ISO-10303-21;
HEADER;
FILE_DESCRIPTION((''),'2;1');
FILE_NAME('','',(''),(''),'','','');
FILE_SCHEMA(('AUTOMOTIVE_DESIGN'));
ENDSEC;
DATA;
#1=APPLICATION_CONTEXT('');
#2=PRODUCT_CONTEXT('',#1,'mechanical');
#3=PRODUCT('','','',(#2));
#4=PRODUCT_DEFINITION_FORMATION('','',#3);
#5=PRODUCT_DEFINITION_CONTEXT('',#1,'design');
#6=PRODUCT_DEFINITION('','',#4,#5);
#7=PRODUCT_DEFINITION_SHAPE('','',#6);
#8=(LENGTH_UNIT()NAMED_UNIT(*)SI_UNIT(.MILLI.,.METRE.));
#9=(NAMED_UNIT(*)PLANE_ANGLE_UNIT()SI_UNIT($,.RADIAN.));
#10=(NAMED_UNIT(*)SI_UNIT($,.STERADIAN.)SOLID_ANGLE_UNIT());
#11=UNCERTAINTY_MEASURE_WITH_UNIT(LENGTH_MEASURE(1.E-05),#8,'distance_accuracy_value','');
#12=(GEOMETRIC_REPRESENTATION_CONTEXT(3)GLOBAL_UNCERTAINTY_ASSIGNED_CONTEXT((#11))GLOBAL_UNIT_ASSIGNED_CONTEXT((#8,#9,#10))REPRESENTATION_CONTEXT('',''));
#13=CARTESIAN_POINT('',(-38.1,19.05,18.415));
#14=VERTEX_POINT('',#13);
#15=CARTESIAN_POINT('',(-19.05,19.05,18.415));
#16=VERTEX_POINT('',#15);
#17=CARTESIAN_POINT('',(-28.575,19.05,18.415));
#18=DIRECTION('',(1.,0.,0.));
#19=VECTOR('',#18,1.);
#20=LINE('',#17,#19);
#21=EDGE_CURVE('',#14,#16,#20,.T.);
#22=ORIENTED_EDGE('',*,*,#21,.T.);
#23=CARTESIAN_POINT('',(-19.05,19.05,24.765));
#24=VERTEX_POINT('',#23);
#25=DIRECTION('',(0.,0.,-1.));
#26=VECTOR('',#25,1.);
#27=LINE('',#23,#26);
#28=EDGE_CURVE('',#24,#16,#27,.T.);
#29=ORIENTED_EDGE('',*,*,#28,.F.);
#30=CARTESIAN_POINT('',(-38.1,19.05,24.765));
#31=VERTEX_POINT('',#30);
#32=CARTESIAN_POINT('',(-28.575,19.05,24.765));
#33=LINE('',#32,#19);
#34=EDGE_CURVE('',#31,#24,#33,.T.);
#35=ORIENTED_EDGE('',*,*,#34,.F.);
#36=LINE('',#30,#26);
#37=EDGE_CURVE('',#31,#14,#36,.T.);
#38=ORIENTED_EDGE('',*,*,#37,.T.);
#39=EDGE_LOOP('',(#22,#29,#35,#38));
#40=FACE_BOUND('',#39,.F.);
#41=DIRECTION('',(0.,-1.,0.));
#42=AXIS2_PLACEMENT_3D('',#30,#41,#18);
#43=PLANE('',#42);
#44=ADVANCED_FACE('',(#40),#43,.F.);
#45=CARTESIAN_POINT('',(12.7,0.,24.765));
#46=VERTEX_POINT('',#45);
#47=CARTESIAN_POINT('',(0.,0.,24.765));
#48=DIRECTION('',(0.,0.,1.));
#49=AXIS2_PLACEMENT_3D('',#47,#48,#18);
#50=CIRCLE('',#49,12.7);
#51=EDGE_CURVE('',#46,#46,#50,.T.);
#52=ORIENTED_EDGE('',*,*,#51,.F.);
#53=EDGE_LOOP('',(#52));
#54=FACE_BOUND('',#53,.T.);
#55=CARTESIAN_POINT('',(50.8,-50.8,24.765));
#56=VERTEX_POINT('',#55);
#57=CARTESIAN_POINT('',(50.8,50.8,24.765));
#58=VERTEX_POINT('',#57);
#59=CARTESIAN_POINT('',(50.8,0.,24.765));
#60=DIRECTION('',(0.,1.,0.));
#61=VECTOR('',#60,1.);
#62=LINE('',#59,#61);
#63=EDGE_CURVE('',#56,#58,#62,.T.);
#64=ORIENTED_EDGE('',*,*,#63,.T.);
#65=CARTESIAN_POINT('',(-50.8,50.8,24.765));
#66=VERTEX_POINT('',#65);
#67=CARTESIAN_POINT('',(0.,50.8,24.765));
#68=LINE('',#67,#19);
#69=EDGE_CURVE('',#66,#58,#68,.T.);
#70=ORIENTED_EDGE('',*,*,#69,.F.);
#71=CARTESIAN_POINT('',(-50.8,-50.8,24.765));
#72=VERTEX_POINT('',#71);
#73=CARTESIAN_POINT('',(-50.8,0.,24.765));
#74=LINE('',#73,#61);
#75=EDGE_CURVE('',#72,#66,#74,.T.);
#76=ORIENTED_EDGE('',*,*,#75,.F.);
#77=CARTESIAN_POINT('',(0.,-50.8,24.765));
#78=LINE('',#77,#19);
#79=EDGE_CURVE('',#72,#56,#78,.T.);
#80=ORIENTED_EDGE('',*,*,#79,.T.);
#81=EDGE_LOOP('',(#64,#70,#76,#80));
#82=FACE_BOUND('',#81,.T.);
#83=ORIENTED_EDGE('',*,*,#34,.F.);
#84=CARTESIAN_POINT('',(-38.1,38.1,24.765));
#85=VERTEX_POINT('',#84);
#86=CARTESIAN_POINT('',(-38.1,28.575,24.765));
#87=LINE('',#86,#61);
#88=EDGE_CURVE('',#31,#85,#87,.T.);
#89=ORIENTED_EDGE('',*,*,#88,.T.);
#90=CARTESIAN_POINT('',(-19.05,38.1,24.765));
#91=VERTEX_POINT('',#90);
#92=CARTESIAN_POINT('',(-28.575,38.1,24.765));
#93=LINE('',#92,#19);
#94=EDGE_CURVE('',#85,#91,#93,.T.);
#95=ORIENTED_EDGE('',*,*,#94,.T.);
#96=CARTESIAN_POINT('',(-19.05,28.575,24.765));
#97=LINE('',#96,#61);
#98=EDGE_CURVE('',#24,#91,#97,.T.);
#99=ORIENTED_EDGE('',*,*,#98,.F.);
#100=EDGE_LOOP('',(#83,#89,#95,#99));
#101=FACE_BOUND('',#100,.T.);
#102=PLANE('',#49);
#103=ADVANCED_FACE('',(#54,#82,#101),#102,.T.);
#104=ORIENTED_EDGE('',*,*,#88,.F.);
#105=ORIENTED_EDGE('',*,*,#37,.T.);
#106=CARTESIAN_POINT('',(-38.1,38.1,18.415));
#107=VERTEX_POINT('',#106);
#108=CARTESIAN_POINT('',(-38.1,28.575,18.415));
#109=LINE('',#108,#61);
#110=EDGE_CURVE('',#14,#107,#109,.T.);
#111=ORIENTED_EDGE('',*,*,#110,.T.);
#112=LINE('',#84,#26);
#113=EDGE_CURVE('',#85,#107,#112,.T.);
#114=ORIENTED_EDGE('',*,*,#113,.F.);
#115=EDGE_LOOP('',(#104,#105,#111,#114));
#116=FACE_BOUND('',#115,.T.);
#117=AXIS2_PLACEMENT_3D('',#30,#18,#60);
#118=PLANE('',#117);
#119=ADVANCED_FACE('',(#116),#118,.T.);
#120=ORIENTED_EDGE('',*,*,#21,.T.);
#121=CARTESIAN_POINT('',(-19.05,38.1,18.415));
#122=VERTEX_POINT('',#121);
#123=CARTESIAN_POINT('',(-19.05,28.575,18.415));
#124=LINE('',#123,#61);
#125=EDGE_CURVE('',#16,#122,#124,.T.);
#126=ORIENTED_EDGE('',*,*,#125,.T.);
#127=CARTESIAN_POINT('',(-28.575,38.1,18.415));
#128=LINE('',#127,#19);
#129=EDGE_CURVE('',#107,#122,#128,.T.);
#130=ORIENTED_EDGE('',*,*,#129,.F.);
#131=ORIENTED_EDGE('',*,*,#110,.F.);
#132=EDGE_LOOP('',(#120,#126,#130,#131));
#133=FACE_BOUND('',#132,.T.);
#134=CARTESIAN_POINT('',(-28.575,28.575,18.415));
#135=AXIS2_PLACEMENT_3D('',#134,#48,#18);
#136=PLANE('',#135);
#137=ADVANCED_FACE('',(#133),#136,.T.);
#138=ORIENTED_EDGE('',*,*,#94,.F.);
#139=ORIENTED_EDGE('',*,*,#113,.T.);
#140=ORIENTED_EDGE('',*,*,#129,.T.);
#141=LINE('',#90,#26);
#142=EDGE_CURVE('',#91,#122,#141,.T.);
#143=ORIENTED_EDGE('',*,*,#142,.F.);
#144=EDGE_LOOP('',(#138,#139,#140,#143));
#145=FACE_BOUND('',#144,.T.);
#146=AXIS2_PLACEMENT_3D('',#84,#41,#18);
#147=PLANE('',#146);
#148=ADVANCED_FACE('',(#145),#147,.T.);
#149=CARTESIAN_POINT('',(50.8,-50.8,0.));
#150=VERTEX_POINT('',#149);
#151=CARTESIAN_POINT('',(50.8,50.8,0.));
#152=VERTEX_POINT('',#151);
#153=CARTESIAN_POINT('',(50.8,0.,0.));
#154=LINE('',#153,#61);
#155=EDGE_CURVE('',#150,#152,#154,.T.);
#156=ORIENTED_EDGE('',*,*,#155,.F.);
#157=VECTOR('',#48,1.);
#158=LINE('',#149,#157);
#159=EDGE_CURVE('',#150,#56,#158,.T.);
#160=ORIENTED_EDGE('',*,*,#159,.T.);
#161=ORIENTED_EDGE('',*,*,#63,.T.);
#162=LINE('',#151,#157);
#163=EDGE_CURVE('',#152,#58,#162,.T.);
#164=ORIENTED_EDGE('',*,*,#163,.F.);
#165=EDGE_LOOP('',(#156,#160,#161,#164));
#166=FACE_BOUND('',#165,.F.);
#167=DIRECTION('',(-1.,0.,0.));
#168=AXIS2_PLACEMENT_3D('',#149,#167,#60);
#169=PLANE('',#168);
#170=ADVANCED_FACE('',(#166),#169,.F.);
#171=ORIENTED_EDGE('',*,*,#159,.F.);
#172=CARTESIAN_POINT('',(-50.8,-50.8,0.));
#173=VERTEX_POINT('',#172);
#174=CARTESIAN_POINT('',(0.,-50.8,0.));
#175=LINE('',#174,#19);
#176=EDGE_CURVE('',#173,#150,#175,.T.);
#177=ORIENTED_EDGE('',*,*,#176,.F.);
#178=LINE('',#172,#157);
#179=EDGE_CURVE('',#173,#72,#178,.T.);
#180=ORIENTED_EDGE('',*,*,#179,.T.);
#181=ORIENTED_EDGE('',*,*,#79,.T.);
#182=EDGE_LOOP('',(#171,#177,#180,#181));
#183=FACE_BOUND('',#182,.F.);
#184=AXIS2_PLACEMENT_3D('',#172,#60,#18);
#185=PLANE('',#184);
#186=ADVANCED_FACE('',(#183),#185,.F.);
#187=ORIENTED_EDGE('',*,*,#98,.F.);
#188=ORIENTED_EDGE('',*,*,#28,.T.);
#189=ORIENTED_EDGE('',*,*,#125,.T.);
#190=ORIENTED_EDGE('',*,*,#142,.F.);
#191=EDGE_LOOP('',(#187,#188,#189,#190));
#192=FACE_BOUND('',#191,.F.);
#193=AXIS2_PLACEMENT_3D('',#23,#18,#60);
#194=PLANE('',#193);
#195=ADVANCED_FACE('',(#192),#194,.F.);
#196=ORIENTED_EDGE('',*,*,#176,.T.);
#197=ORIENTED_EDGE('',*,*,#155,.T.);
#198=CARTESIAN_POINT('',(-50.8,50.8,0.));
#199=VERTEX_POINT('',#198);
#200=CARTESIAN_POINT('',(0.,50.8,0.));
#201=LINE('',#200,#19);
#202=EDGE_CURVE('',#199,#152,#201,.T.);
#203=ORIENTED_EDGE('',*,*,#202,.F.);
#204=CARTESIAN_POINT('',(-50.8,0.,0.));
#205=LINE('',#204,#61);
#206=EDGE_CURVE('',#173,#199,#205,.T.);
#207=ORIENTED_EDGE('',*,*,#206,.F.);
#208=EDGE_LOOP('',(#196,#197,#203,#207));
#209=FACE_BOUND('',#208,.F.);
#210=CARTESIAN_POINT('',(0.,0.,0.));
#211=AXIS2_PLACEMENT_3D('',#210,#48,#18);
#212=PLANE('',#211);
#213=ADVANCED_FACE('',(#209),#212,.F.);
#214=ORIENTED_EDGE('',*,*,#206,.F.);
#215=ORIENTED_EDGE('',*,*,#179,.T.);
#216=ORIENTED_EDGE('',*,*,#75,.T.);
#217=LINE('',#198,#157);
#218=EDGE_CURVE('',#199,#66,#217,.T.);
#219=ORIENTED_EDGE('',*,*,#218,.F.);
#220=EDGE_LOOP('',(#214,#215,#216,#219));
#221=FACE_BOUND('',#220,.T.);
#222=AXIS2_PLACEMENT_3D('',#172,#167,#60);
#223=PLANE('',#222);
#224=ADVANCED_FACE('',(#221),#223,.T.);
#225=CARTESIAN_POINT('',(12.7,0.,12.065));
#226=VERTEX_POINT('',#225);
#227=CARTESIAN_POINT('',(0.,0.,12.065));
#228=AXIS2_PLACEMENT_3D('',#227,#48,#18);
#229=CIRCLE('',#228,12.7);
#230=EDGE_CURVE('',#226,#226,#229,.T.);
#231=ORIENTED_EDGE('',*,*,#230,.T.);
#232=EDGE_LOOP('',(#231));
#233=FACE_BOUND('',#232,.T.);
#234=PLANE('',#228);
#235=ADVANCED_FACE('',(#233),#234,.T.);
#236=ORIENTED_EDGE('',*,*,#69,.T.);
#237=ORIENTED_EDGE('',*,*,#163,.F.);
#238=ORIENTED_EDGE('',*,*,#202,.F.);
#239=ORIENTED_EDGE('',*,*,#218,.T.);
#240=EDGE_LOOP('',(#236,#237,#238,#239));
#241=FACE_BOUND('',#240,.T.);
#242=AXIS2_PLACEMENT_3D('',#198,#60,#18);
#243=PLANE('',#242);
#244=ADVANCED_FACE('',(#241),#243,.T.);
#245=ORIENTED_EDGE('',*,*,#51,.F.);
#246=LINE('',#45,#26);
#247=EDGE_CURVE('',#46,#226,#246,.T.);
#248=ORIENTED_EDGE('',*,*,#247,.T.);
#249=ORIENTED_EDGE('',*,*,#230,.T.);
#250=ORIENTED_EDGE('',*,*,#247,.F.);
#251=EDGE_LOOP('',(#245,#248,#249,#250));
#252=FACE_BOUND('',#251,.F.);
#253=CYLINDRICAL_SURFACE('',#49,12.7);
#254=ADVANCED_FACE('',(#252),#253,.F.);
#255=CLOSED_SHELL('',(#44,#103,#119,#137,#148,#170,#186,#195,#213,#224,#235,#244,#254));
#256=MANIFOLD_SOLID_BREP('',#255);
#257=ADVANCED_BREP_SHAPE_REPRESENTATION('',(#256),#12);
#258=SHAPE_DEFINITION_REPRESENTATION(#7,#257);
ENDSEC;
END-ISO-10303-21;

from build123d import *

# Parameters (mm, degrees)
F0_W     = 101.6
F0_H     = 101.6
F1_DEPTH = 24.765
F2_W     = 19.05
F2_H     = 19.05
F3_DEPTH = 6.35
F2_R     = 12.7
F4_DEPTH = 12.7


with BuildPart() as f1:
    # F0 (on Top) → F1 (new body)
    with BuildSketch(Plane.XY):
        Rectangle(F0_W, F0_H)
    extrude(amount=F1_DEPTH)

    # F2 (on face) → F3 (cut)
    with BuildSketch(Plane.XY.offset(24.765)):
        with Locations((-28.575, 28.575)):
            Rectangle(F2_W, F2_H)
    extrude(amount=-F3_DEPTH, mode=Mode.SUBTRACT)

    # F2 (on face) → F4 (cut)
    with BuildSketch(Plane.XY.offset(24.765)):
        Circle(F2_R)
    extrude(amount=-F4_DEPTH, mode=Mode.SUBTRACT)


solid = f1.part
